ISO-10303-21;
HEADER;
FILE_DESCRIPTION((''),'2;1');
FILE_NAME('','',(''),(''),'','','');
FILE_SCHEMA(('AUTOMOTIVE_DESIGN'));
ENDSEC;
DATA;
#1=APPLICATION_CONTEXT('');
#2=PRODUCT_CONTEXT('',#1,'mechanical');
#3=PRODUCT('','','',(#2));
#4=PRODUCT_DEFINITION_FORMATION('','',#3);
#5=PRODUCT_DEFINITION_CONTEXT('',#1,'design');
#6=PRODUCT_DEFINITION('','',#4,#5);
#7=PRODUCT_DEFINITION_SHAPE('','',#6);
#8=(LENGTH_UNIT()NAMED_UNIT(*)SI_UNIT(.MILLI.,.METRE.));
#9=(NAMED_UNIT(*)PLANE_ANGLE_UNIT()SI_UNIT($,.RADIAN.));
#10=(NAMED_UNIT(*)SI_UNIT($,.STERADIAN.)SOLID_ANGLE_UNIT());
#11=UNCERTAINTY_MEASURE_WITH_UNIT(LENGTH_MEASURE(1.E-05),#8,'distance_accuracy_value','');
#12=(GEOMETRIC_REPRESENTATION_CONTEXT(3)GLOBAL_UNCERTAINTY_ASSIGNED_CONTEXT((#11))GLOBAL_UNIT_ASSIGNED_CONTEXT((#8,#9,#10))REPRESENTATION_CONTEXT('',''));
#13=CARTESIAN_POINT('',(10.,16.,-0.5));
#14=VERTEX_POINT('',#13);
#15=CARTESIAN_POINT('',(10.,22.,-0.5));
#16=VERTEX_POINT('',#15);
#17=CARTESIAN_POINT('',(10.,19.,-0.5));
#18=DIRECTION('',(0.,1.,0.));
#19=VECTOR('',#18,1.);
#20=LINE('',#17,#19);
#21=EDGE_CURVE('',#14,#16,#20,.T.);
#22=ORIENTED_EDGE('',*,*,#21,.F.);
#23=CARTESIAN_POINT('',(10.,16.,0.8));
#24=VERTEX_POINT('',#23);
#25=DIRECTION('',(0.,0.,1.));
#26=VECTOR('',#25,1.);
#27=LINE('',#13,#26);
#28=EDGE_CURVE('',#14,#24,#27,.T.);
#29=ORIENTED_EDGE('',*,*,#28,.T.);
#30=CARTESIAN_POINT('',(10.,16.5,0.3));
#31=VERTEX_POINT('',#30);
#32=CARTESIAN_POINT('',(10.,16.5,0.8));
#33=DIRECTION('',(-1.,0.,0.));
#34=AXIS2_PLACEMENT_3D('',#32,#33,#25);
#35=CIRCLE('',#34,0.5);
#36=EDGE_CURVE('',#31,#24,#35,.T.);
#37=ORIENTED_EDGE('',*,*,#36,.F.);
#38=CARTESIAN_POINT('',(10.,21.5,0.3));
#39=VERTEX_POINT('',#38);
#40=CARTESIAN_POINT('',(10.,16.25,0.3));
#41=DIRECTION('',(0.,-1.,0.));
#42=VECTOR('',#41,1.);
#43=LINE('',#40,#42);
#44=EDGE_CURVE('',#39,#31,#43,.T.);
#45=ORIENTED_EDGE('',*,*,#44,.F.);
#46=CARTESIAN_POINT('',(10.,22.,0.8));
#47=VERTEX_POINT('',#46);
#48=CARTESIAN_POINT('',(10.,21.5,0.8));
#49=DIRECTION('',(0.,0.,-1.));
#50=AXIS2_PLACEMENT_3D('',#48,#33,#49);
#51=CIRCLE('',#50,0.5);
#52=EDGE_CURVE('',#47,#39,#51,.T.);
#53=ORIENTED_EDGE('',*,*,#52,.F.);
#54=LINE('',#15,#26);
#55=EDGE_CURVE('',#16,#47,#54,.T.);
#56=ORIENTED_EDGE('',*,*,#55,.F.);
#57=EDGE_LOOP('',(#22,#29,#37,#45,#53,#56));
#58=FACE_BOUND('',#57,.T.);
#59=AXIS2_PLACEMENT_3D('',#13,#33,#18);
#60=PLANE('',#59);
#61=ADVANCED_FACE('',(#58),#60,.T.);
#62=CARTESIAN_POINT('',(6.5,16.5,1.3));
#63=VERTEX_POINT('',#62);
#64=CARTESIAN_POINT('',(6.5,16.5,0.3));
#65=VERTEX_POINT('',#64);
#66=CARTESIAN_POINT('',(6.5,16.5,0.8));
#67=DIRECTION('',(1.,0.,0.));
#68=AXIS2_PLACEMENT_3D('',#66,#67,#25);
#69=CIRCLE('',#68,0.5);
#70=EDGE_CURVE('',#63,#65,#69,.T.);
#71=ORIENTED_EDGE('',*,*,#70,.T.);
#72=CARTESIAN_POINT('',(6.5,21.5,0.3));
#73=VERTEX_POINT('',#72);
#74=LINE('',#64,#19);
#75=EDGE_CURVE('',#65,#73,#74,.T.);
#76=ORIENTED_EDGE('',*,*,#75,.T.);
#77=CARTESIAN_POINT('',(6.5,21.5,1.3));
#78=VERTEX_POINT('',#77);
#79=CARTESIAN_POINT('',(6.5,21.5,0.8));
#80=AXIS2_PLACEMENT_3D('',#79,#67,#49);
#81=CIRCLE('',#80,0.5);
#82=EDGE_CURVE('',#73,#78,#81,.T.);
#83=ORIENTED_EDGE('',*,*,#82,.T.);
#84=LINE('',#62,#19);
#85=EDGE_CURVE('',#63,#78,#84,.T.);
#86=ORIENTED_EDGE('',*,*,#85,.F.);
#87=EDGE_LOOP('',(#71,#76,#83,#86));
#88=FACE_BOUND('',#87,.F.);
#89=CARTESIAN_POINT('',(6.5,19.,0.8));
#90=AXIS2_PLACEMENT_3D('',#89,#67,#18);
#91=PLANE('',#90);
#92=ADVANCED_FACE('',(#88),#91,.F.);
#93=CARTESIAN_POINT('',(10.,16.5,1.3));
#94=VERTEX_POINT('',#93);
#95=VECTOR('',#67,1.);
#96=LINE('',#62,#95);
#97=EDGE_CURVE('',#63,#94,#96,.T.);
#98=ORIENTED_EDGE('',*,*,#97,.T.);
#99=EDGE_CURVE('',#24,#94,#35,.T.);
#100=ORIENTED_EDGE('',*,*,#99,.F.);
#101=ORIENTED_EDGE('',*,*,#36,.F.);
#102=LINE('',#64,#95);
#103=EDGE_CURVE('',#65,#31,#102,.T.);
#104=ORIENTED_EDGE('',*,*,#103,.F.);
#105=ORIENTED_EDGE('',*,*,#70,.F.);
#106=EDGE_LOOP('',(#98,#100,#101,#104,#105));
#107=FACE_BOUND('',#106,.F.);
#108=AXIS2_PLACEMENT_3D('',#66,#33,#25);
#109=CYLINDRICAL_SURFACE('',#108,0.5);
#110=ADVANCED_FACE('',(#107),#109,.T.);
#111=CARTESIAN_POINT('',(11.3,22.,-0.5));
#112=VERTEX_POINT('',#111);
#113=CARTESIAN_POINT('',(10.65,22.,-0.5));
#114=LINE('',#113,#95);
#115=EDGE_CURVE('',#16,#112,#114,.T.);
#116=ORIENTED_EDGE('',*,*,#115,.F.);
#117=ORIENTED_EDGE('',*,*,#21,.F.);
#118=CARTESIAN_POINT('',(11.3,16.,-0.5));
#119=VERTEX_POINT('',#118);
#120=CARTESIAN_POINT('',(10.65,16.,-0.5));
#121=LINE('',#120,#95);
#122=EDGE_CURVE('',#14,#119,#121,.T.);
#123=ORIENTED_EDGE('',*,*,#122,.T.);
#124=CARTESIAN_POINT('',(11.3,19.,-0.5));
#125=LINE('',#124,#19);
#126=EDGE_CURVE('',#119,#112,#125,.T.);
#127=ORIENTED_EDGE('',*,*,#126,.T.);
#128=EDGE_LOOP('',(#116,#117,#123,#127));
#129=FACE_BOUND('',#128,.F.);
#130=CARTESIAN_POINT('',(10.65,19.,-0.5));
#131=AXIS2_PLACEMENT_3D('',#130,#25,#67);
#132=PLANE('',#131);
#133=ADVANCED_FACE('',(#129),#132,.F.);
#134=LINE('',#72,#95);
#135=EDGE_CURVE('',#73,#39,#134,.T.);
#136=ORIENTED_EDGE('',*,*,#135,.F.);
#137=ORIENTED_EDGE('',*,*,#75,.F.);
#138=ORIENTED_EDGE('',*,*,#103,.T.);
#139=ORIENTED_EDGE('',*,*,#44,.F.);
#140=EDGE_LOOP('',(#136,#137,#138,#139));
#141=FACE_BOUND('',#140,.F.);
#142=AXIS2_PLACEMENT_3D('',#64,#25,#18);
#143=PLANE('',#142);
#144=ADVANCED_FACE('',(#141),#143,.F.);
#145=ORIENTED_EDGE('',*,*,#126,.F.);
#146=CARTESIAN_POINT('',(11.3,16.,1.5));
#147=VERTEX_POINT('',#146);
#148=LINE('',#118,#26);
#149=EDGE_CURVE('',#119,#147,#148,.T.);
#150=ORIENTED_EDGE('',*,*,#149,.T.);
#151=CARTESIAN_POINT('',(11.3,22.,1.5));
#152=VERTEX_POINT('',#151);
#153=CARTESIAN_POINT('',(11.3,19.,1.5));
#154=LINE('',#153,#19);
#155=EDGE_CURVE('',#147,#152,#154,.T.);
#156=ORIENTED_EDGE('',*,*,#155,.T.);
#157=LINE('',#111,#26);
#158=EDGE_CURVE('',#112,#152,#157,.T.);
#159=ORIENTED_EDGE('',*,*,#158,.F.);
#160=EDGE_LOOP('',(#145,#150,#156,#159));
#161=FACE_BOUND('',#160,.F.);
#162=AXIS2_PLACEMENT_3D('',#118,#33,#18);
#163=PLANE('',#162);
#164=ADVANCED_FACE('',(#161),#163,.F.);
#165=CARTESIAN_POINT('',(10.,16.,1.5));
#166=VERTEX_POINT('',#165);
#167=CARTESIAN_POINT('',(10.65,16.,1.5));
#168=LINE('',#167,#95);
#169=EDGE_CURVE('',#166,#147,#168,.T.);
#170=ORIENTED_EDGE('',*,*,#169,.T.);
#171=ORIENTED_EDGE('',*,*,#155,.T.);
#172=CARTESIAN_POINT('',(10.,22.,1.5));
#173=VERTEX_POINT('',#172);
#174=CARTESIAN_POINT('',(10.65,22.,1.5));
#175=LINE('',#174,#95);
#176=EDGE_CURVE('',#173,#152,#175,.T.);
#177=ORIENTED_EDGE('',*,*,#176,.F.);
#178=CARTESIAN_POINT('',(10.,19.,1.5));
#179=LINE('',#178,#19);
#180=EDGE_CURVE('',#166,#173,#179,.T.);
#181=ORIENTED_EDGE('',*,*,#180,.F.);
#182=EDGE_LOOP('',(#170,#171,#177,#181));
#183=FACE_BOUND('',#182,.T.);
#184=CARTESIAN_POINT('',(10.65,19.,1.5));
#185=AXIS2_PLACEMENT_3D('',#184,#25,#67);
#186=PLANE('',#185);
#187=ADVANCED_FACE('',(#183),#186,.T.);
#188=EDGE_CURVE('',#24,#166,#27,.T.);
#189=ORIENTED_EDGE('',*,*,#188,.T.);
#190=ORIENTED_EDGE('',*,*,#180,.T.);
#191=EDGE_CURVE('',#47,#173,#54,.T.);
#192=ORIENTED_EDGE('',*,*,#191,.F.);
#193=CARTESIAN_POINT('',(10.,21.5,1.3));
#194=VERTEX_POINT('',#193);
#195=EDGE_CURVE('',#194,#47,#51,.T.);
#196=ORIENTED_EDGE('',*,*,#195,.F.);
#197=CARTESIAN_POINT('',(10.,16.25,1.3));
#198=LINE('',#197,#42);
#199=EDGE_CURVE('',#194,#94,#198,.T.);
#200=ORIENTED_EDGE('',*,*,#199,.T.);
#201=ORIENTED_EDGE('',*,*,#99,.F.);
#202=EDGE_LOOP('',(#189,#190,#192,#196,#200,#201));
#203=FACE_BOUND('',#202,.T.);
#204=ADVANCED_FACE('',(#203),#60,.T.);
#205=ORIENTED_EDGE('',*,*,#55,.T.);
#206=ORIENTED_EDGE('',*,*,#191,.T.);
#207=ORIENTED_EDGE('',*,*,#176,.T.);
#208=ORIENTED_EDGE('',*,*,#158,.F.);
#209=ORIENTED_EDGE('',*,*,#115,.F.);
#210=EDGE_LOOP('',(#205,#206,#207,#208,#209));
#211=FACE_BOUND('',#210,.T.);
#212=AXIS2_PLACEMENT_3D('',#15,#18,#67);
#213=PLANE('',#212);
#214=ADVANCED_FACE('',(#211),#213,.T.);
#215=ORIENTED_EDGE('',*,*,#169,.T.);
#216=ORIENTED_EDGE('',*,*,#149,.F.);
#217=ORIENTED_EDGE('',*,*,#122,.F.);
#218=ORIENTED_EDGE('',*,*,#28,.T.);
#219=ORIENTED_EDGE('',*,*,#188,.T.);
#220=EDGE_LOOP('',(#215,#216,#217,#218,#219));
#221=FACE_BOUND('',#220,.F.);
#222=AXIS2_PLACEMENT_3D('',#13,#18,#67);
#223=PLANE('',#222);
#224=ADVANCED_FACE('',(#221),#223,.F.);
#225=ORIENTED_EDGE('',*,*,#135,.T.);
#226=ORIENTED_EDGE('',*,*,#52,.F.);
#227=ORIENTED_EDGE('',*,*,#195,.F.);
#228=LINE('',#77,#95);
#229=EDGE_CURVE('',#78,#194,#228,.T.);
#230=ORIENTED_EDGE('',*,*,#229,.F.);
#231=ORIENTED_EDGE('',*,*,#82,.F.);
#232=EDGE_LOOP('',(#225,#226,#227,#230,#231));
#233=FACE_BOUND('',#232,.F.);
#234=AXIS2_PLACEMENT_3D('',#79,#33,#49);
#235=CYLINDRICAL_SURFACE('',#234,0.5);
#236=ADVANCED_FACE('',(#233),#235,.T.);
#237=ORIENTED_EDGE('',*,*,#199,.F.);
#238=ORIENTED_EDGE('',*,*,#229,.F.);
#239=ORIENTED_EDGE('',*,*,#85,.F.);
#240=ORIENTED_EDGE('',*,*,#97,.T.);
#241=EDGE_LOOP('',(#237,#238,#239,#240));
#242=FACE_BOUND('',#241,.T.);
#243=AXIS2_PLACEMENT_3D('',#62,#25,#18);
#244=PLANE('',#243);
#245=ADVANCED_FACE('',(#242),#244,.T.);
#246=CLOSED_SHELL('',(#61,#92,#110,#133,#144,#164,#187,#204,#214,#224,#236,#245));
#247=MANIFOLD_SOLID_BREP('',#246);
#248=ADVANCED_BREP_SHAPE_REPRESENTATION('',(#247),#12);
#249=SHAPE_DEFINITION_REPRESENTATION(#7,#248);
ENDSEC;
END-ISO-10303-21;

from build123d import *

# Parameters (mm, degrees)
BOX003_W         = 1.3
BOX003_H         = 6
BOX003_DEPTH     = 2
EXTRUDE002_DEPTH = 4


with BuildPart() as cube:
    # Box003 → Box003 (new body)
    with BuildSketch(Plane(origin=(0, 16, 0.5), x_dir=(1, 0, 0), z_dir=(0, 0, 1))):
        with Locations((0.65, 3)):
            Rectangle(BOX003_W, BOX003_H)
    extrude(amount=BOX003_DEPTH)


with BuildPart() as fusion:
    # Sketch006 → Extrude002 (new body)
    with BuildSketch(Plane.YZ):
        with BuildLine():
            ThreePointArc((14, -1), (13.5, -1.5), (14, -2))
            Line((14, -2), (19, -2))
            ThreePointArc((19, -2), (19.5, -1.5), (19, -1))
            Line((14, -1), (19, -1))
        make_face()
    extrude(amount=EXTRUDE002_DEPTH)


with BuildPart() as fusion_1:
    # Extrude002 placement: moved
    add(fusion.part.moved(Location((-3.5, 2.5, 3.3))))

    # Fusion: union Cube
    add(cube.part)


with BuildPart() as fusion_2:
    # Fusion placement: moved
    add(fusion_1.part.moved(Location((10, 0, -1))))


solid = fusion_2.part
